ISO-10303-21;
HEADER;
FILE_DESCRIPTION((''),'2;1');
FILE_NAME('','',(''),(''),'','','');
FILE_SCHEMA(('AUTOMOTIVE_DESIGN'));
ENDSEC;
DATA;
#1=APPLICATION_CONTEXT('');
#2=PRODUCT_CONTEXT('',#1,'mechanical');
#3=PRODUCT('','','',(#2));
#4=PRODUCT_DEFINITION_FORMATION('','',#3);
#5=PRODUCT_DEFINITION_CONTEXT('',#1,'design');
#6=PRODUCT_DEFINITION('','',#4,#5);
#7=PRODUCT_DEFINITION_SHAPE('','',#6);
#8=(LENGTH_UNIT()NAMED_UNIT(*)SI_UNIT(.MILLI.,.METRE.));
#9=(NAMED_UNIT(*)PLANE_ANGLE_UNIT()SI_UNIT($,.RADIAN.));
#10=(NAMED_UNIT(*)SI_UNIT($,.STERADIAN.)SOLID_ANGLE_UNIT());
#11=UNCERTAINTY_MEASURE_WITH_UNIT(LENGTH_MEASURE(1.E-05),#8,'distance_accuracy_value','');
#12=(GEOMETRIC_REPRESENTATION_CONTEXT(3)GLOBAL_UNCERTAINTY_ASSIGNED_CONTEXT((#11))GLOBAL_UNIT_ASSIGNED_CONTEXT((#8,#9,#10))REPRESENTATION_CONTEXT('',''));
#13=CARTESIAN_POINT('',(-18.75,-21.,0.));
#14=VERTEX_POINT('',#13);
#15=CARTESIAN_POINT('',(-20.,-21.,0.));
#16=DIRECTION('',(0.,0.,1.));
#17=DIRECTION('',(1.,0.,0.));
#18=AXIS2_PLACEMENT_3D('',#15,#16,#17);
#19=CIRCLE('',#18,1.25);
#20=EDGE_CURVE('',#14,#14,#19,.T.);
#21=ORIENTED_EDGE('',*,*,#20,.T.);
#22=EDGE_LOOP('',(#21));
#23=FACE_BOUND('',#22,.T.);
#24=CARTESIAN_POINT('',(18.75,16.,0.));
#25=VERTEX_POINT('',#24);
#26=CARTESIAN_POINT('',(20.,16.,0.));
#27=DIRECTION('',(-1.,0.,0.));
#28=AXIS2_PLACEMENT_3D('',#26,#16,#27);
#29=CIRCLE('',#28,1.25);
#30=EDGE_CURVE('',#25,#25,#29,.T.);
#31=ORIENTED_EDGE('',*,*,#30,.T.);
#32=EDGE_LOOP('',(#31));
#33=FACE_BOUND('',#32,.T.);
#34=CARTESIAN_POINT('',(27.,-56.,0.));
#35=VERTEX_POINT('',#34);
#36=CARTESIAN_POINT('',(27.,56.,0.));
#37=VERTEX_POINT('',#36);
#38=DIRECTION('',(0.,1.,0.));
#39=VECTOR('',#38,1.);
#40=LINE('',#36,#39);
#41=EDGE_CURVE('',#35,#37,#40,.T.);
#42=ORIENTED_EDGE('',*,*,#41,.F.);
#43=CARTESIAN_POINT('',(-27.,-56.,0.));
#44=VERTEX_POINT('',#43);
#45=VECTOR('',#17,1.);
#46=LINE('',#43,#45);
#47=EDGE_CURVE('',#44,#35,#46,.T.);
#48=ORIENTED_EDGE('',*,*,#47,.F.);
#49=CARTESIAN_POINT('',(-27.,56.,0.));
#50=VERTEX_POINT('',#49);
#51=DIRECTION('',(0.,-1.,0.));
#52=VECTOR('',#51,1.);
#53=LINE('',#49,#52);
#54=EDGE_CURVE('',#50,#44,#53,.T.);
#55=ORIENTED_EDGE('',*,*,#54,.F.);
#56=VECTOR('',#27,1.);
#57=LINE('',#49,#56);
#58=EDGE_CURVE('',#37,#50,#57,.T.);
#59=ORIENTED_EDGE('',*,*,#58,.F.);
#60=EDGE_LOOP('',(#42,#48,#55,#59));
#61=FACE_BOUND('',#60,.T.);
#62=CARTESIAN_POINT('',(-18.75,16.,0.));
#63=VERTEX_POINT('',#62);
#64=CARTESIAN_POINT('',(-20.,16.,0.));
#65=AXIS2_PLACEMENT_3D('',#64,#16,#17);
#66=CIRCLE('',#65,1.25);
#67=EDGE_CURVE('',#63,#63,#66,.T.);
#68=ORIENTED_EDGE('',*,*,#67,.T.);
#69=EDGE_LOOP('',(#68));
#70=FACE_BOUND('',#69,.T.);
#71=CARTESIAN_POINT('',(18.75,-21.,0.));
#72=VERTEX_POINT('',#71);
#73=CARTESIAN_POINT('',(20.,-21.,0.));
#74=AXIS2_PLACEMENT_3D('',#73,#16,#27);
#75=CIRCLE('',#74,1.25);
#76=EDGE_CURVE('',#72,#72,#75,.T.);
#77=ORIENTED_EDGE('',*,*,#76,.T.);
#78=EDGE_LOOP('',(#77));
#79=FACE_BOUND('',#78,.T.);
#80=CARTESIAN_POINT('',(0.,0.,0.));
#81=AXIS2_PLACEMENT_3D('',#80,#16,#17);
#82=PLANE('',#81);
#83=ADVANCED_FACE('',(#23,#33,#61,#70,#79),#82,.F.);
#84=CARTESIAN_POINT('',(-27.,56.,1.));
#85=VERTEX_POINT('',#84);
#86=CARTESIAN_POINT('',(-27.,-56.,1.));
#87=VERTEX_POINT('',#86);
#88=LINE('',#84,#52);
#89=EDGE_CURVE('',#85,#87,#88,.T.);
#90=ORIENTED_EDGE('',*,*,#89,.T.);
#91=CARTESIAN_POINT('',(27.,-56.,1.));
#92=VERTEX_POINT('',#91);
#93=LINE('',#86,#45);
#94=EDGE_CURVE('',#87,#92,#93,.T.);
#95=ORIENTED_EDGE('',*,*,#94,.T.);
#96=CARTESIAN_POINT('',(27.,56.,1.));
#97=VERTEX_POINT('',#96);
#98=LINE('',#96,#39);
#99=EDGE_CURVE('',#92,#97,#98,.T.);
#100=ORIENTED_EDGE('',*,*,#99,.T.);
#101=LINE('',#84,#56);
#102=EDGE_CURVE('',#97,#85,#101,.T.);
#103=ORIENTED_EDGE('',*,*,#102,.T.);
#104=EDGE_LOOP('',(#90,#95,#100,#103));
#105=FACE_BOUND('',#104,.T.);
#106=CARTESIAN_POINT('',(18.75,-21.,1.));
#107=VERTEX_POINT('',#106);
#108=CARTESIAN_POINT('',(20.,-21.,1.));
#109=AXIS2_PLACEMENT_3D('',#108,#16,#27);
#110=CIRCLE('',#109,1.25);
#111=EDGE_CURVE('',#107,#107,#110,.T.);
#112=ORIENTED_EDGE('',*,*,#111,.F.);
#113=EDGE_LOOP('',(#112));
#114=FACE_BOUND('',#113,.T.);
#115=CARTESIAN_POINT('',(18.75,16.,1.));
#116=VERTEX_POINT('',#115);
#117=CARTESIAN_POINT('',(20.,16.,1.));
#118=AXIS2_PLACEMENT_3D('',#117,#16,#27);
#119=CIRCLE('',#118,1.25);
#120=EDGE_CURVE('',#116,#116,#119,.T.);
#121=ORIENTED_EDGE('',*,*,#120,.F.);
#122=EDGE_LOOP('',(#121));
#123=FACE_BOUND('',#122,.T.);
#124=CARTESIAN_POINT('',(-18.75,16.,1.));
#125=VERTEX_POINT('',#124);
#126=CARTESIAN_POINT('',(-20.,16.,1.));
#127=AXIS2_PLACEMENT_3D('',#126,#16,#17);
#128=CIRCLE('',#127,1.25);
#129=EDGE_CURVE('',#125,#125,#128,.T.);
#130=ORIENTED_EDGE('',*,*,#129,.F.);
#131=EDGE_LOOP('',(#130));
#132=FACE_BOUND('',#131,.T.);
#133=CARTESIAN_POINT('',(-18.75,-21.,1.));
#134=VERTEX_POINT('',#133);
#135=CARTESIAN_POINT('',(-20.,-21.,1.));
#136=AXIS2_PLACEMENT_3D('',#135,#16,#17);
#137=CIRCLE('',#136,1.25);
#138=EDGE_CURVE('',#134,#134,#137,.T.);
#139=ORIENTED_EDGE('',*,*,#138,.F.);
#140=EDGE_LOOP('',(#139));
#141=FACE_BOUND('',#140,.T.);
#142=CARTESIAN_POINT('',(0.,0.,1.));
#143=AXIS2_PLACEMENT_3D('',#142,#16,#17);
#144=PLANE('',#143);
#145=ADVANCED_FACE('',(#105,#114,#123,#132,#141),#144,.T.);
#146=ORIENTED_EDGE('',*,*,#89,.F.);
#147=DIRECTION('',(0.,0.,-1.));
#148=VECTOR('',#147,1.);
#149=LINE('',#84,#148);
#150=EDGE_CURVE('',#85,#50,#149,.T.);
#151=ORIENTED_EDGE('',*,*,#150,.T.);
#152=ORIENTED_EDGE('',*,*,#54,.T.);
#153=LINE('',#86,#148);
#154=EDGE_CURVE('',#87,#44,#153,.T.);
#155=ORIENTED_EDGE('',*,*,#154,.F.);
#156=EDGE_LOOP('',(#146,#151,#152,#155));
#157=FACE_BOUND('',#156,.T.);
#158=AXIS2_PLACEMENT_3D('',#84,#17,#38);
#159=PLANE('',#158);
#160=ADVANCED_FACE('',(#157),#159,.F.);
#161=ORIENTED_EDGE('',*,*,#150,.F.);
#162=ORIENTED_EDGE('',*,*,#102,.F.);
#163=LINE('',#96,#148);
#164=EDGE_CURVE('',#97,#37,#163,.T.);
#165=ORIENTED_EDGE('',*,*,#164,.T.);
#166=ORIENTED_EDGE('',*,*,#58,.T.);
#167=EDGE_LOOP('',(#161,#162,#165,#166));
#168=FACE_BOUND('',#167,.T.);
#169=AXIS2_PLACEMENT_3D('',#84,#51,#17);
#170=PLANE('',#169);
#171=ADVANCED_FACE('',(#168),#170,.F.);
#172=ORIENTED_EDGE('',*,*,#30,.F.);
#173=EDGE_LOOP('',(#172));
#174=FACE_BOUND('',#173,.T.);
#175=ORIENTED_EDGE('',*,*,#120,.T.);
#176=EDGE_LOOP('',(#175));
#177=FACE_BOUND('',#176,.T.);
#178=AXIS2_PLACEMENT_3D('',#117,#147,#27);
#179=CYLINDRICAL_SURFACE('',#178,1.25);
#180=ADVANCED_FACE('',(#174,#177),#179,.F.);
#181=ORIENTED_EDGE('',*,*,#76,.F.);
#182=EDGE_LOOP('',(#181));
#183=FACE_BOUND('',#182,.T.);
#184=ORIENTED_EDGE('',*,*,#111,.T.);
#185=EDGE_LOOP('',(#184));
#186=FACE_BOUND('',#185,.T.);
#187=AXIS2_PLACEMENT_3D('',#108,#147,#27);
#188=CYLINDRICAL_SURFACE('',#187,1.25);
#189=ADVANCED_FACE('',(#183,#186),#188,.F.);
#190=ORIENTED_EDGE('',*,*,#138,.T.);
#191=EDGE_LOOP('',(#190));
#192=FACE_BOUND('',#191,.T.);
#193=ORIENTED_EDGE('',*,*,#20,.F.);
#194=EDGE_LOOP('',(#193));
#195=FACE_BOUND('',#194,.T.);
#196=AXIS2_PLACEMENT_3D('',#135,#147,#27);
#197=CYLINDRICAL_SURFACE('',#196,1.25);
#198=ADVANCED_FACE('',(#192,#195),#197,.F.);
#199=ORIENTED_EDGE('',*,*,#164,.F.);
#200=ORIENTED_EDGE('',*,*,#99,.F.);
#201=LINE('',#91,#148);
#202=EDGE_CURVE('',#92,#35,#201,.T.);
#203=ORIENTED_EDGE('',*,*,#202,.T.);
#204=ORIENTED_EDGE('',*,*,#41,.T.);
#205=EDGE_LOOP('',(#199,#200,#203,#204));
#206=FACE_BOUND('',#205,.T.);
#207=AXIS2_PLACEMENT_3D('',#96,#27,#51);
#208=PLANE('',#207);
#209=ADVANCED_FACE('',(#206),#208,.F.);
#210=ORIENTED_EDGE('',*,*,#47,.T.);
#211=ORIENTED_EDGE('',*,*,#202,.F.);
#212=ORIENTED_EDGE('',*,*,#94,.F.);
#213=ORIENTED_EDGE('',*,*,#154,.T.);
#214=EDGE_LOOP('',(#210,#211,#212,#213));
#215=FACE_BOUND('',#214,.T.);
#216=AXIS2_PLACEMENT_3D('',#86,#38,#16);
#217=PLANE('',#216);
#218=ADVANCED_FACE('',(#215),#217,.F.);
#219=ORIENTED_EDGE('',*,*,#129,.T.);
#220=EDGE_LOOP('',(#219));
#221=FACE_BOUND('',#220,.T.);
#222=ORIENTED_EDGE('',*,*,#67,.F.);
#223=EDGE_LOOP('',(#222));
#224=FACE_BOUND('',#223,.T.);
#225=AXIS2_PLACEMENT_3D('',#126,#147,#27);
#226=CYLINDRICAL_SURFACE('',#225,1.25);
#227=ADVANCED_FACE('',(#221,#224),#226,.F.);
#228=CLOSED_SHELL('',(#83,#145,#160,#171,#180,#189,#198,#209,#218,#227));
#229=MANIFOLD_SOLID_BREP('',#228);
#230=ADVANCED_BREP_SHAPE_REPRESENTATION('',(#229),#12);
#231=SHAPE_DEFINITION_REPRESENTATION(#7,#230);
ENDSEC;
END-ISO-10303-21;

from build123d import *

# Parameters (mm, degrees)
SKETCH_1_W      = 54
SKETCH_1_H      = 112
SKETCH_1_R      = 1.25
EXTRUDE_1_DEPTH = 1


with BuildPart() as part:
    # 草图1 → 凸台-拉伸1 (new body)
    with BuildSketch(Plane.XY):
        Rectangle(SKETCH_1_W, SKETCH_1_H)
        with Locations((-20, 16)):
            Circle(SKETCH_1_R, mode=Mode.SUBTRACT)
        with Locations((-20, -21)):
            Circle(SKETCH_1_R, mode=Mode.SUBTRACT)
        with Locations(Location((20, -21, 0), (0, 0, 180))):
            Circle(SKETCH_1_R, mode=Mode.SUBTRACT)
        with Locations(Location((20, 16, 0), (0, 0, 180))):
            Circle(SKETCH_1_R, mode=Mode.SUBTRACT)
    extrude(amount=EXTRUDE_1_DEPTH)


solid = part.part
